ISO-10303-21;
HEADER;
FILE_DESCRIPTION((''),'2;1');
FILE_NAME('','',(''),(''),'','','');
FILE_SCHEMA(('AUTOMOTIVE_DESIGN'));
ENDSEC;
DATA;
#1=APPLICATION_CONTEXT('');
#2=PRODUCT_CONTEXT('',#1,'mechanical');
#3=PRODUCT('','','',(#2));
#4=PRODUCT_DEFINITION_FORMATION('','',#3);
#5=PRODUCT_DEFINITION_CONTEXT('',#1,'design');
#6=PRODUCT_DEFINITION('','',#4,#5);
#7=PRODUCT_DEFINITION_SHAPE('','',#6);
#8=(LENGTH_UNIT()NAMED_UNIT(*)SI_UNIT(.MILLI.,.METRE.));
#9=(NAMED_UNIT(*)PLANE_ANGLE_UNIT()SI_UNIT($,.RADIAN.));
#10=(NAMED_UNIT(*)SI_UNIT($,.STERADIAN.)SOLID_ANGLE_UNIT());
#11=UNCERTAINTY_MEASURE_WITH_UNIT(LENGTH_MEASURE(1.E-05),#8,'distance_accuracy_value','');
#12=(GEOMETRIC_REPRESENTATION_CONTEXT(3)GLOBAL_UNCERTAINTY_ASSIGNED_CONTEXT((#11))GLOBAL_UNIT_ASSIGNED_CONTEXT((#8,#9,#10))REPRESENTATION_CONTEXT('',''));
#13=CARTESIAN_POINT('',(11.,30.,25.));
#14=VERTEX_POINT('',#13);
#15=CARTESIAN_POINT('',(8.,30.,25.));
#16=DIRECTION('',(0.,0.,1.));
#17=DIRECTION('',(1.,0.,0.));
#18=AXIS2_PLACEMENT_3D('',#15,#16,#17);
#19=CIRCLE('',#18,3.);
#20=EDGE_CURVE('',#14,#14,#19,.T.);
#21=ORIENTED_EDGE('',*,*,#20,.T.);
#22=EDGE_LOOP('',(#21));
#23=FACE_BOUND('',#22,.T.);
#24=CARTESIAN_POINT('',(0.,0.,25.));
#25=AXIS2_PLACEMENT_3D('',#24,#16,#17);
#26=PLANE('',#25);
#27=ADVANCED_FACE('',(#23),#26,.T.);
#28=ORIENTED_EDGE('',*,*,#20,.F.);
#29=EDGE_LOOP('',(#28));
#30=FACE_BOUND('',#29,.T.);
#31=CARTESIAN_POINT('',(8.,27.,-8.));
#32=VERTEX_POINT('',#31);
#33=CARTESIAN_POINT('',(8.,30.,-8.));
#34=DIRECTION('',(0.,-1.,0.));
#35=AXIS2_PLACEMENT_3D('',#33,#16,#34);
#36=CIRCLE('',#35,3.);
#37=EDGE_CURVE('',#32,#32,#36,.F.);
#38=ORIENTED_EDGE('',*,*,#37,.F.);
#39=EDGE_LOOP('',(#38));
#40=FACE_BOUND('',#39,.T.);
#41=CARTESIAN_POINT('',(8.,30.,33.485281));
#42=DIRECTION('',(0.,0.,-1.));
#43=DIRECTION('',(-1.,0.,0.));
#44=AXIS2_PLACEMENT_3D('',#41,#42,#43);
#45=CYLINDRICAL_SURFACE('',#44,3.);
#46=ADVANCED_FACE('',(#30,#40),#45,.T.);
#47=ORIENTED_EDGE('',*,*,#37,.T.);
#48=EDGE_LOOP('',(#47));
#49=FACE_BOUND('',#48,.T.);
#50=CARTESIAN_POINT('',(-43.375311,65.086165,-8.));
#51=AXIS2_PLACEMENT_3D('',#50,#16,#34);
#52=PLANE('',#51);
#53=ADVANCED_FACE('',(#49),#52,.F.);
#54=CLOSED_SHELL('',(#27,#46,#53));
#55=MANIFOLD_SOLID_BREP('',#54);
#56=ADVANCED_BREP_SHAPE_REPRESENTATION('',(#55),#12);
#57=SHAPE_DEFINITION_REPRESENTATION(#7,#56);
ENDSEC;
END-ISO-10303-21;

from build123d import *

# Parameters (mm, degrees)
SKETCH_1_R           = 3
EXTRUDE_1_DEPTH      = 25
EXTRUDE_1_DEPTH_BACK = 8


with BuildPart() as part:
    # ｽｹｯﾁ1 → ﾎﾞｽ - 押し出し1 (new body, two sides)
    with BuildSketch(Plane.XY) as extrude_1_sk:
        with Locations((8, 30)):
            Circle(SKETCH_1_R)
    extrude(amount=EXTRUDE_1_DEPTH)
    extrude(extrude_1_sk.sketch, amount=-EXTRUDE_1_DEPTH_BACK)


solid = part.part
